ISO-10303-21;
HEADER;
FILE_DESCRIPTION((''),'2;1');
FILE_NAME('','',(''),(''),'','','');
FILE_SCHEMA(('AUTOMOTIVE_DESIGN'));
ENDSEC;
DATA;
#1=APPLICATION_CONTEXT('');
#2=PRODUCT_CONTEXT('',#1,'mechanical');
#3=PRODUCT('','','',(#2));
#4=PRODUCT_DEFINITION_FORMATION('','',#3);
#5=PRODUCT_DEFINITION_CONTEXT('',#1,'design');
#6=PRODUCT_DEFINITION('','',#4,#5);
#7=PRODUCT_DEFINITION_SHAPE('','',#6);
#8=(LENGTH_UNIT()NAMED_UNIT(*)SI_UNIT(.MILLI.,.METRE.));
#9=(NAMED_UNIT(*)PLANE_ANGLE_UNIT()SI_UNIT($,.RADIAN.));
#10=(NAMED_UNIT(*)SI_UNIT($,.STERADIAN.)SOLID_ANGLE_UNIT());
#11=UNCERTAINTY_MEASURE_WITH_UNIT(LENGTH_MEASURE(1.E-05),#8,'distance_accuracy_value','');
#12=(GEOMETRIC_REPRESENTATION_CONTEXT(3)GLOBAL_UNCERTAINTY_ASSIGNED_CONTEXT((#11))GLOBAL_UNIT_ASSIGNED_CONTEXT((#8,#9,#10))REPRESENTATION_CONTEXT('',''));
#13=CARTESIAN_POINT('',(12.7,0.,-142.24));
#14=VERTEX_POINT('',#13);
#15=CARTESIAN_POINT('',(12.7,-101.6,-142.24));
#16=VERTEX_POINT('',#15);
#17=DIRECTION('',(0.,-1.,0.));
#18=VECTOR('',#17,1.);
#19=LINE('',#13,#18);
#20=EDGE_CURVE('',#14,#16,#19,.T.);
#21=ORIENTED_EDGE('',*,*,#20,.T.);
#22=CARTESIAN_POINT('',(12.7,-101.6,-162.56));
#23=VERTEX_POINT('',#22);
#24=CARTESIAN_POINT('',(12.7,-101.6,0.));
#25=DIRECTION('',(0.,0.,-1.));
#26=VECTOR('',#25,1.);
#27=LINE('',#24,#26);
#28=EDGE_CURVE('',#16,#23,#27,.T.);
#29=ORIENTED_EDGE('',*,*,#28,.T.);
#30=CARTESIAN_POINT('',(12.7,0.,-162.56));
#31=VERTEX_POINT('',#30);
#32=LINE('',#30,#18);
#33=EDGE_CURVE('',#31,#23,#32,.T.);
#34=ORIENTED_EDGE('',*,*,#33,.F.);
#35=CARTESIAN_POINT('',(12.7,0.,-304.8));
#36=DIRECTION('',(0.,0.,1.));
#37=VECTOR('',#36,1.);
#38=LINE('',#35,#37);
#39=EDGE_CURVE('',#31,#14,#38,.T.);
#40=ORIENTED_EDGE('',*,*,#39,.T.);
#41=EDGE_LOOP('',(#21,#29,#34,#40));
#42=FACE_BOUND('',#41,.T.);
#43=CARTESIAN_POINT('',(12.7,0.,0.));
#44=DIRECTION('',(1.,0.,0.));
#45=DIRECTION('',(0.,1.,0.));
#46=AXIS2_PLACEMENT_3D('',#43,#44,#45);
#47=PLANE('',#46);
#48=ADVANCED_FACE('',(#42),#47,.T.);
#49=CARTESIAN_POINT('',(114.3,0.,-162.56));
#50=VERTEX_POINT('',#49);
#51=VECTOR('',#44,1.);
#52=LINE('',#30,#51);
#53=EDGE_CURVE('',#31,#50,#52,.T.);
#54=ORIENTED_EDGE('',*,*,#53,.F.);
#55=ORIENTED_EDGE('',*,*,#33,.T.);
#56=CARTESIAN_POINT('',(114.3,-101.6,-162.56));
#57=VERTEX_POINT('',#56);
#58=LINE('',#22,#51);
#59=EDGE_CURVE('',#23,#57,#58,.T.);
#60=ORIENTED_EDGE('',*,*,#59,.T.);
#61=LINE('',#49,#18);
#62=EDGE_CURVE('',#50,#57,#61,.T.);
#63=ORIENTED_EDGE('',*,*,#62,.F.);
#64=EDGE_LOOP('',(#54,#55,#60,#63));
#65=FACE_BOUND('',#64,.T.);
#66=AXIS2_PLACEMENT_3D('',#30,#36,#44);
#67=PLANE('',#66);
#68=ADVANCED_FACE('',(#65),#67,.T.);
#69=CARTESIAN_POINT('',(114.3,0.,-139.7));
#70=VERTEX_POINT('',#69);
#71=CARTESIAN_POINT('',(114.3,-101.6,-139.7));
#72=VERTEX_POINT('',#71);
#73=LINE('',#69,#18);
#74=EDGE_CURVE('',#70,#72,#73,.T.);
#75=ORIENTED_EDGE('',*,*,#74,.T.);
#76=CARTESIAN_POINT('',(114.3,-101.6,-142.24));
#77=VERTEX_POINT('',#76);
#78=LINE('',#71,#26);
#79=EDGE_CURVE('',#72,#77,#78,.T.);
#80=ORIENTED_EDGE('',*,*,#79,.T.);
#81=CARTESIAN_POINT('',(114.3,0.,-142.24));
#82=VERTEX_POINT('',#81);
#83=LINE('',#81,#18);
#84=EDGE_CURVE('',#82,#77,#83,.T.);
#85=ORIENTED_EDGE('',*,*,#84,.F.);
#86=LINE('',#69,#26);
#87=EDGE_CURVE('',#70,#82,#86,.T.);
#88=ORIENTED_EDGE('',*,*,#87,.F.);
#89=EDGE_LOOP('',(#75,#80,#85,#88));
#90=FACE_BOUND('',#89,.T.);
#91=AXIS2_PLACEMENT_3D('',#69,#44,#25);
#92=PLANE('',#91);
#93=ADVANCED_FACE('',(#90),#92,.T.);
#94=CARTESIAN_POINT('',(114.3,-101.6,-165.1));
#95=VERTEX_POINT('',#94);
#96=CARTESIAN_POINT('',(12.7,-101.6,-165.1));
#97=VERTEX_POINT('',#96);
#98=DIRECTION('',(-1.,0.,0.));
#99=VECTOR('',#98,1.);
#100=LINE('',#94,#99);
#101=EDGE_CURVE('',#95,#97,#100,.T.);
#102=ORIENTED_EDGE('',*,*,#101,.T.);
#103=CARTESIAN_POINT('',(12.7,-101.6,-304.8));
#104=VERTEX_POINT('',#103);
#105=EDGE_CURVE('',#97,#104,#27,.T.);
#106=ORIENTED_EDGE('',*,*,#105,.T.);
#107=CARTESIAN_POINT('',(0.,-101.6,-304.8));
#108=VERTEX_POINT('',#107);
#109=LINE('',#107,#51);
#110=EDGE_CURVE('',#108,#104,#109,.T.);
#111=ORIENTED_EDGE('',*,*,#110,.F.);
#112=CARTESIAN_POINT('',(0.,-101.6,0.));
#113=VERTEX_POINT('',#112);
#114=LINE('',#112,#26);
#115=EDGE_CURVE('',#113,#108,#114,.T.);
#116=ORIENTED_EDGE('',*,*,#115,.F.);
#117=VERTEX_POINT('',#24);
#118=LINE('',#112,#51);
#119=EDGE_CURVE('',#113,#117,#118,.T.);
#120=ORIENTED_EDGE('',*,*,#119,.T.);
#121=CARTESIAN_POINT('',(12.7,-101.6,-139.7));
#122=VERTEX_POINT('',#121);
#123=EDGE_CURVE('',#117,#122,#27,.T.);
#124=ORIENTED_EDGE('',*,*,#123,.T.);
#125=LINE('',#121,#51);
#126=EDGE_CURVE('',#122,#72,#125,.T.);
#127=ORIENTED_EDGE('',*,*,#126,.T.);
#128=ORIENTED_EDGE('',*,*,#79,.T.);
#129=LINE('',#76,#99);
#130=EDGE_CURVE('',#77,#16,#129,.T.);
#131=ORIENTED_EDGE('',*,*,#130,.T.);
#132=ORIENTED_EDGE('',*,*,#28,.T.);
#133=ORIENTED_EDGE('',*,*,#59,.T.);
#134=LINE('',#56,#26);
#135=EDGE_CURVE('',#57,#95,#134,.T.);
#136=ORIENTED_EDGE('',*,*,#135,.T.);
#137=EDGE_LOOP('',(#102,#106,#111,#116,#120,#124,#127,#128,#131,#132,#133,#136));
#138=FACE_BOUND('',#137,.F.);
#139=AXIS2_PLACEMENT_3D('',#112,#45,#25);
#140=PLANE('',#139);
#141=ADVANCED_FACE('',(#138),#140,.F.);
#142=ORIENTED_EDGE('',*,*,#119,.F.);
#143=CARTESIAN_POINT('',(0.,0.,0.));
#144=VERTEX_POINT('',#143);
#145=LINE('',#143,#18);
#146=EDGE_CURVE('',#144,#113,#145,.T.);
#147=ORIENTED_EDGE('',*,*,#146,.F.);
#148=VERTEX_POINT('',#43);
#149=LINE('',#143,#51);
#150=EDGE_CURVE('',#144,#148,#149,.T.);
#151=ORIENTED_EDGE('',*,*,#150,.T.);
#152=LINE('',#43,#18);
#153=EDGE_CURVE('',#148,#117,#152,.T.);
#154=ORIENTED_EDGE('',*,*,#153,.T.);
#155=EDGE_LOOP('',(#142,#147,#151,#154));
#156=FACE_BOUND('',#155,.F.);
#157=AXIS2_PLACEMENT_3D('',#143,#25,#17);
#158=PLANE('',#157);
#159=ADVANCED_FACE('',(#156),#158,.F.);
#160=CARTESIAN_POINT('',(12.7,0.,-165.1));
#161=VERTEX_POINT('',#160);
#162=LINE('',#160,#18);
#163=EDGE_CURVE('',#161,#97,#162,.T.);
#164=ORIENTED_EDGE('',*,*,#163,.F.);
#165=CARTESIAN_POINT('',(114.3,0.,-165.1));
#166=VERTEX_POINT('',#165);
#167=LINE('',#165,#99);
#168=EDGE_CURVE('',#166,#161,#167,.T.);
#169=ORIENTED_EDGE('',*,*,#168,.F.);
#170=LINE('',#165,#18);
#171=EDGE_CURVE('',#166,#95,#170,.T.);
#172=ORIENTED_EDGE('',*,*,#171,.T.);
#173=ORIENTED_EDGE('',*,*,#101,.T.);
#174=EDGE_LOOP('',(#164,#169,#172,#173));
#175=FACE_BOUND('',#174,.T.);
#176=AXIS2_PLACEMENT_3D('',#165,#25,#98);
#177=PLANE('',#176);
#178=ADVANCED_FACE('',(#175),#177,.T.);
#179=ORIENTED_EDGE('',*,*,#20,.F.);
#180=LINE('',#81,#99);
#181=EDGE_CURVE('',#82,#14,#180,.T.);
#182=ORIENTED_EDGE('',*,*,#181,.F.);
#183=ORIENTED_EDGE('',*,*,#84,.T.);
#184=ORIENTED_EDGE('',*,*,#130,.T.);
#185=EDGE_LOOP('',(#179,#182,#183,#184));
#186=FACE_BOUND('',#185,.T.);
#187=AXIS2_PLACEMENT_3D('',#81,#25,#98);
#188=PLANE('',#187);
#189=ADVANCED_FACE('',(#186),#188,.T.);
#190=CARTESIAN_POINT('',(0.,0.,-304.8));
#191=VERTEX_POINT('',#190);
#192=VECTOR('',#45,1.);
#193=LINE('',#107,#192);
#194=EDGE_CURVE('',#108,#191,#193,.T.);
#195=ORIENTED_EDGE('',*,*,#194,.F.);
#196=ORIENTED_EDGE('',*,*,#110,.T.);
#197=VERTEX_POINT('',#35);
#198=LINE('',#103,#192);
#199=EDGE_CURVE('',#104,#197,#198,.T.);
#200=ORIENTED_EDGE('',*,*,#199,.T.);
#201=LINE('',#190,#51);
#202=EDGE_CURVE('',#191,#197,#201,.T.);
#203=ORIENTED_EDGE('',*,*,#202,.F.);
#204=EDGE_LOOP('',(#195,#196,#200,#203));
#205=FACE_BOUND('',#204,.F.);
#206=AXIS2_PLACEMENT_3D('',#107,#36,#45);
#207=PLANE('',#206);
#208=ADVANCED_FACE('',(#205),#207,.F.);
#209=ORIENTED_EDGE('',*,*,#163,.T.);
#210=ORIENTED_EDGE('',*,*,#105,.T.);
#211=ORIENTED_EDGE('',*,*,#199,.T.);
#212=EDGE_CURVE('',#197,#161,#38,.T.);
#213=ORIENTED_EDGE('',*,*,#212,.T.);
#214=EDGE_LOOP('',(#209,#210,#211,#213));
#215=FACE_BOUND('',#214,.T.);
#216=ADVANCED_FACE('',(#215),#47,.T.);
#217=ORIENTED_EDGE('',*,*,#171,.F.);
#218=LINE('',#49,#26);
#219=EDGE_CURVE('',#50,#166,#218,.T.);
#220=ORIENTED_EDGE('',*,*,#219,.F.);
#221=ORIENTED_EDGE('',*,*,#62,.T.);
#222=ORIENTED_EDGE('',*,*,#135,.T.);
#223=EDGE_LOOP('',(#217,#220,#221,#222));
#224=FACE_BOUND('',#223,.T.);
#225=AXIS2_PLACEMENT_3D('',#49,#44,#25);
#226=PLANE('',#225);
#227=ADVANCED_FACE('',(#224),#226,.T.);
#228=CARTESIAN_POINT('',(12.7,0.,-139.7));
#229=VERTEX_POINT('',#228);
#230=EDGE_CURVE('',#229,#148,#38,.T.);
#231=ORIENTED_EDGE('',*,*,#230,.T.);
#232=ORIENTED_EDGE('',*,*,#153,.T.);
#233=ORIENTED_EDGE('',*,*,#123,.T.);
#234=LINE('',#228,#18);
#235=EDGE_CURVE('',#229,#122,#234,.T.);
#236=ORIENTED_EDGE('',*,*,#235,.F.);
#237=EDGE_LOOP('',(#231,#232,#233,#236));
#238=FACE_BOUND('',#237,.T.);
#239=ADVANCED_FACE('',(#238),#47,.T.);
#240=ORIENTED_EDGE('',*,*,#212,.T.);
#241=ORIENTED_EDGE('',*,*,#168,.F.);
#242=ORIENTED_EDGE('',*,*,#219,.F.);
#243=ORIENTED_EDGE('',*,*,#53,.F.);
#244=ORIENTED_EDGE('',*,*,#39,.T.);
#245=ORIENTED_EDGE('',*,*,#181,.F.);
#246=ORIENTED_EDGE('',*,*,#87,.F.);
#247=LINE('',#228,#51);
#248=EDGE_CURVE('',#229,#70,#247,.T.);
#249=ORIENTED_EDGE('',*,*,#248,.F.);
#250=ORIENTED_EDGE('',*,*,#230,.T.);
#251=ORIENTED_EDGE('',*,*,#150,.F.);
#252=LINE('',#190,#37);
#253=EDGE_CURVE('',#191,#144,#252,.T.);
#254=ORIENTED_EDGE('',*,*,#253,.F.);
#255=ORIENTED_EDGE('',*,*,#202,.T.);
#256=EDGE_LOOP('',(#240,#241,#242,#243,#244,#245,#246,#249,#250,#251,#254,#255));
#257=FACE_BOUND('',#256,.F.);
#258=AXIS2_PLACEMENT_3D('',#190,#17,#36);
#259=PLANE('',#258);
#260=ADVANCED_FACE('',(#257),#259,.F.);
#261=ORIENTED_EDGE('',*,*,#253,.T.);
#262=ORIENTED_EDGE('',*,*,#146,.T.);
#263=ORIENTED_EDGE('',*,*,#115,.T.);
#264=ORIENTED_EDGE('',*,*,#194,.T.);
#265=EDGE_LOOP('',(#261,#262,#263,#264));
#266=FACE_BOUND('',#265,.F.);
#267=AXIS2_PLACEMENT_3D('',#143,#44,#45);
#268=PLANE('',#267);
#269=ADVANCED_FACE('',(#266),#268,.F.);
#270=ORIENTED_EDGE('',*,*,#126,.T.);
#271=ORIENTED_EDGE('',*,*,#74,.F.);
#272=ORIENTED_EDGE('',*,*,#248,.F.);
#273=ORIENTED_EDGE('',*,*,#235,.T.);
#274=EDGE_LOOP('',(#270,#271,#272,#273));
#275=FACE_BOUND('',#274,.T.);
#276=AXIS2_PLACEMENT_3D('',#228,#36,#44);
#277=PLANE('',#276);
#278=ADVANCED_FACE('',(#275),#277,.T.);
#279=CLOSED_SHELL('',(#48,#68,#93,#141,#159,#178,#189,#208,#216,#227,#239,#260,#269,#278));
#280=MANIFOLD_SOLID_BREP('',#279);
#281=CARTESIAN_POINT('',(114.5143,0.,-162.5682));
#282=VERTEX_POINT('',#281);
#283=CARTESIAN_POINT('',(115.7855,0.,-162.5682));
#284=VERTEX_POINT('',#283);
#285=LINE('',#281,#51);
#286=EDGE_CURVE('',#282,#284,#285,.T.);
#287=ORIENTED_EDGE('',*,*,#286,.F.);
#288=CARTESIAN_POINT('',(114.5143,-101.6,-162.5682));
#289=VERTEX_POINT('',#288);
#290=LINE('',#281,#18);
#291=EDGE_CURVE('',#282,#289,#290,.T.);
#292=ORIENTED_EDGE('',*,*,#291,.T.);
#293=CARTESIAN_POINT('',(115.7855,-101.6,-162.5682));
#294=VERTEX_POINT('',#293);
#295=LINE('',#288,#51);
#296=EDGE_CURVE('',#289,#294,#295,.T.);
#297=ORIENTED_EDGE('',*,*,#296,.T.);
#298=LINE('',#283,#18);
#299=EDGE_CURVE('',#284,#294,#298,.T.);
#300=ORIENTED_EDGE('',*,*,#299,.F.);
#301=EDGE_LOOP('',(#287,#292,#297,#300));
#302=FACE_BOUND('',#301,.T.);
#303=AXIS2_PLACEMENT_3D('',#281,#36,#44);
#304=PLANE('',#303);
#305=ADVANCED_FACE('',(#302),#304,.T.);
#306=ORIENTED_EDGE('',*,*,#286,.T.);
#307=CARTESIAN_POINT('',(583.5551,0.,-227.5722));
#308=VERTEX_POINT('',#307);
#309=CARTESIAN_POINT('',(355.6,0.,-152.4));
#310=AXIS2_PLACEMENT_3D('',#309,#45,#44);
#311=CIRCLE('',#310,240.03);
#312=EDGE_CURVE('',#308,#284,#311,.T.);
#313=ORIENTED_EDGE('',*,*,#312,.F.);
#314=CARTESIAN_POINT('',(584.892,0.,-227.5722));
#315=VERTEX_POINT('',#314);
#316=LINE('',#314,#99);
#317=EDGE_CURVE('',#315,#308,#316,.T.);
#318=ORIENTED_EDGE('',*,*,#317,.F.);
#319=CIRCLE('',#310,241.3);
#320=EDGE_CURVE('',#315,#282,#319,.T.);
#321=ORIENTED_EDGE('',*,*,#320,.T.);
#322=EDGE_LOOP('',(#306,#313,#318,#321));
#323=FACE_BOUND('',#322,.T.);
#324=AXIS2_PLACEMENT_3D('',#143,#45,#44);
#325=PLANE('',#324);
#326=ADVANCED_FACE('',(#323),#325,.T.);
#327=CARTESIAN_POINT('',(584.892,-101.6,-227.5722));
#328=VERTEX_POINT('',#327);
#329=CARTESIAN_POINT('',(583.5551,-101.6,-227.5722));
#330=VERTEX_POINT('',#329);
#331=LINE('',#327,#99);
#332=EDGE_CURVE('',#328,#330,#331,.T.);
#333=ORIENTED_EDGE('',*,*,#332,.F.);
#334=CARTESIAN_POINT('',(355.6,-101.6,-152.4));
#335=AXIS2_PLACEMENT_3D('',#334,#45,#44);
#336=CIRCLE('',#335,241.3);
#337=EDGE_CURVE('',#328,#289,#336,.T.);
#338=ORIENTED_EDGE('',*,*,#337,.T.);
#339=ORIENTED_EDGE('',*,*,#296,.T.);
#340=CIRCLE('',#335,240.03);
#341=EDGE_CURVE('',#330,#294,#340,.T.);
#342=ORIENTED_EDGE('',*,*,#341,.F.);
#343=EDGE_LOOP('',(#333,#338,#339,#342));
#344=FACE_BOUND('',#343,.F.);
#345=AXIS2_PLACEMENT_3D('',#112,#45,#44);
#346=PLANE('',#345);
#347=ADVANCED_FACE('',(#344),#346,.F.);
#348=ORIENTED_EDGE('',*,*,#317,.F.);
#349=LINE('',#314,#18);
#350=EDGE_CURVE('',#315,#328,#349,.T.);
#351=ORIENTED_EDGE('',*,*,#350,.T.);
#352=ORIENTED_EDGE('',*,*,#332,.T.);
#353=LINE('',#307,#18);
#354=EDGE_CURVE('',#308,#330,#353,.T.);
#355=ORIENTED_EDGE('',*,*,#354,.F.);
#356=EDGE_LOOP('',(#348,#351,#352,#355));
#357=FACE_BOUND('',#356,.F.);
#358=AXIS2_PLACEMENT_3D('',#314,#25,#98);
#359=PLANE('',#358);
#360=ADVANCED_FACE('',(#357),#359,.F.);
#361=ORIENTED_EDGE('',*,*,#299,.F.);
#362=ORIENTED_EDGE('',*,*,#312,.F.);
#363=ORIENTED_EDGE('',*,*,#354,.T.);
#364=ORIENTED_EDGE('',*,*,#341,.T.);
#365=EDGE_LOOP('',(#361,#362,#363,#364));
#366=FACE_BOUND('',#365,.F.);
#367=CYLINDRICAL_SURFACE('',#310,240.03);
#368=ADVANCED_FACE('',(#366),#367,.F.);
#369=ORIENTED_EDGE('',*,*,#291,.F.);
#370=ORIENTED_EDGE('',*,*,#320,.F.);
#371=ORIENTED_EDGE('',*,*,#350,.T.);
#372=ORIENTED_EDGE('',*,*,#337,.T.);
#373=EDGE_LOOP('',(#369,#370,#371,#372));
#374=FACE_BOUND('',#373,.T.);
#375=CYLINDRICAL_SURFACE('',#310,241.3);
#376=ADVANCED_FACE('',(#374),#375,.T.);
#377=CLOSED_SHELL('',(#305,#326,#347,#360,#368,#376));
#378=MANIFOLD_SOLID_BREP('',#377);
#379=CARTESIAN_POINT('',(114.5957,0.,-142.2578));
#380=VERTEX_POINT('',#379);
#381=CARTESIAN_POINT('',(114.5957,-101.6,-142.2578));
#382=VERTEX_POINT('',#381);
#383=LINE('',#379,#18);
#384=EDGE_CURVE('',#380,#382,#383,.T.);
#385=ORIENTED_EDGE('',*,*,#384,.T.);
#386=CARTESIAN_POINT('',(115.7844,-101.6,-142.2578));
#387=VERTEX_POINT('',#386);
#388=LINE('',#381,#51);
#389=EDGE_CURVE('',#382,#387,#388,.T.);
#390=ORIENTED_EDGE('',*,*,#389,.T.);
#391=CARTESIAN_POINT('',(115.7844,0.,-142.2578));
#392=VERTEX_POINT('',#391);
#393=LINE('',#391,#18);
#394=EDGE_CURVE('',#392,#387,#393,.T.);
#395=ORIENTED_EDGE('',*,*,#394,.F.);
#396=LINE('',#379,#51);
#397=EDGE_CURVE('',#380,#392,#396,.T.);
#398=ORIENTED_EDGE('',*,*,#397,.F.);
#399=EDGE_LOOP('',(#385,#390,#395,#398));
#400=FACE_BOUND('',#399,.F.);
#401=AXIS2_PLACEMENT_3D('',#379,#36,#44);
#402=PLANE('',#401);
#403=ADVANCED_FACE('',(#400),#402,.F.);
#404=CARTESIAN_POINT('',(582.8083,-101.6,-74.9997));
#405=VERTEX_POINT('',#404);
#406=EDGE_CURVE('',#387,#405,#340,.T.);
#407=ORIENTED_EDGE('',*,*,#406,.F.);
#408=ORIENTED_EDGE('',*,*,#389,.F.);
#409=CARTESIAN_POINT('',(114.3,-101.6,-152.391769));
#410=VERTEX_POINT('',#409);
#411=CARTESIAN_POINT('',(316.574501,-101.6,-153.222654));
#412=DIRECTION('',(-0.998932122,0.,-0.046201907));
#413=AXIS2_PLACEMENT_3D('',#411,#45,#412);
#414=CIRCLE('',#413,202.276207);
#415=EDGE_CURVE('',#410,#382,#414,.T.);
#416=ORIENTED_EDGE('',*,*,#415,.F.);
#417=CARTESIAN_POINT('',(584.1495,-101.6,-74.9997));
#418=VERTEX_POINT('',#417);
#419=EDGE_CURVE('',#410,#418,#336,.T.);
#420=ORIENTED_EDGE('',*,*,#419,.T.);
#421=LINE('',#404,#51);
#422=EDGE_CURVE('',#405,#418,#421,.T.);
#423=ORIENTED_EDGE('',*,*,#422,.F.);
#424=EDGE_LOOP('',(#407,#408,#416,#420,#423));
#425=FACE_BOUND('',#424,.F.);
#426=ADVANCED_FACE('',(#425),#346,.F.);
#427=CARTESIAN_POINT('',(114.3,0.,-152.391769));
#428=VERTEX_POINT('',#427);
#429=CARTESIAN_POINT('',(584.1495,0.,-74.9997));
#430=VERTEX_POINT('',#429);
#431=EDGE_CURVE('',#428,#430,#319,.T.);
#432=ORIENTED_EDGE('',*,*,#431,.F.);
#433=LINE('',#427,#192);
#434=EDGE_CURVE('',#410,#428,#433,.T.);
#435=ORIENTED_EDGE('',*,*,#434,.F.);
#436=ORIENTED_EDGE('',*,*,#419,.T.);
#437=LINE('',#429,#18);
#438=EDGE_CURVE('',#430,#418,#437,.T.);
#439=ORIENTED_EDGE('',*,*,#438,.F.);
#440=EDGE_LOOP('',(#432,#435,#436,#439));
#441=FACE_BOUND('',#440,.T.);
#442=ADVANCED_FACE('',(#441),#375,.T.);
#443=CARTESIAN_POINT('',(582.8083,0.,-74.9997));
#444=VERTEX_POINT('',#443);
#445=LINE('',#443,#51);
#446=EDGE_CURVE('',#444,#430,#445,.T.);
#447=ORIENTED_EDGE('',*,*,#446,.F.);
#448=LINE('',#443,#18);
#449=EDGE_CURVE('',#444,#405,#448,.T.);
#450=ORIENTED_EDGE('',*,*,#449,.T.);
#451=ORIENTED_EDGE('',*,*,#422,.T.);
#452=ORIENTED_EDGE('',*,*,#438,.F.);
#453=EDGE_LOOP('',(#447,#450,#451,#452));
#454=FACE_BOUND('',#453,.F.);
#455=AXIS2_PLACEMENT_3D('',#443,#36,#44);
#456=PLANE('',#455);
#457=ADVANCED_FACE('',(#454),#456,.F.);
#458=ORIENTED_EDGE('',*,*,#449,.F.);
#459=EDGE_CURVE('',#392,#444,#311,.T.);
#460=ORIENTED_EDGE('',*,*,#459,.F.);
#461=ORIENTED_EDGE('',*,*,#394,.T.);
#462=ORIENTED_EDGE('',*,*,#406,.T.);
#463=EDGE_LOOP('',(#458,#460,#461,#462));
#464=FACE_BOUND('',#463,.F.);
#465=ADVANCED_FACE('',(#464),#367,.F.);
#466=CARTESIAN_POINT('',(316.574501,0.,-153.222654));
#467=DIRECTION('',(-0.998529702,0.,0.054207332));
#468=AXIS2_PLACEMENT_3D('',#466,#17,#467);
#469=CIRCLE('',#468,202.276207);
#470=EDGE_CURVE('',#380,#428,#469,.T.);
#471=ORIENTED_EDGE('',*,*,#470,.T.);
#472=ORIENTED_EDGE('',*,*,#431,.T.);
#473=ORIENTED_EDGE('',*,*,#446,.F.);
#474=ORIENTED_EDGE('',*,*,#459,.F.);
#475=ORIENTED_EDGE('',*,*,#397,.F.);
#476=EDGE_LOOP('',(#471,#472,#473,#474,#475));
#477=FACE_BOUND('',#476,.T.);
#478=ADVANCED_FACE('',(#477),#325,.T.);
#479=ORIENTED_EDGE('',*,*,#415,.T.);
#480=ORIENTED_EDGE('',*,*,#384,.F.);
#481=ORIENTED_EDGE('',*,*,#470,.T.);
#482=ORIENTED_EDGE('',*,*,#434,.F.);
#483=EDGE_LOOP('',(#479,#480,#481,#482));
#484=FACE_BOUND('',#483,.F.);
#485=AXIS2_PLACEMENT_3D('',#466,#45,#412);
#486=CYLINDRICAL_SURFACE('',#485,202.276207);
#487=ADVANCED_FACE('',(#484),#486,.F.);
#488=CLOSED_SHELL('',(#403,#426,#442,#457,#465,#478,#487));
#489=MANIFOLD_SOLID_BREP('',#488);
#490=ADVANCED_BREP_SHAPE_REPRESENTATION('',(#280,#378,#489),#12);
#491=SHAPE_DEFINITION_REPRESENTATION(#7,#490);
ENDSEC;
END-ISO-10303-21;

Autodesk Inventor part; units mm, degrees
ref_plane "YZ Plane" through (0, 0, 0) normal (1, 0, 0) x (0, 1, 0)
ref_plane "XZ Plane" through (0, 0, 0) normal (0, 1, 0) x (-1, 0, 0)
ref_plane "XY Plane" through (0, 0, 0) normal (0, 0, 1) x (1, 0, 0)
sketch "Sketch1" plane through (0, 0, 0) normal (1, 0, 0) x (0, 1, 0)
  point P0 (0, 0)
sketch "Sketch2" plane through (0, 0, 0) normal (1, 0, 0) x (0, 1, 0)
  line L0 (0, 0) -> (-101.6, 0)
  line L1 (-101.6, 0) -> (-101.6, -304.8)
  line L2 (-101.6, -304.8) -> (0, -304.8)
  line L3 (0, -304.8) -> (0, 0)
  dimension "d0" = 101.6
  dimension "d1" = 304.8
extrude "Extrusion1" add sketch "Sketch2" along normal blind 12.7
sketch "Sketch3" plane through (0, 0, 0) normal (0, 1, 0) x (1, 0, 0)
  line L0 (12.7, 304.8) -> (12.7, 0) projected
  line L1 (12.7, 0) -> (12.7, 304.8) projected
  line L2 (12.7, 139.7) -> (114.3, 139.7)
  line L3 (114.3, 139.7) -> (114.3, 142.24)
  line L4 (114.3, 142.24) -> (12.7, 142.24)
  line L5 (12.7, 142.24) -> (12.7, 139.7)
  line L6 (12.7, 162.56) -> (114.3, 162.56)
  line L7 (114.3, 162.56) -> (114.3, 165.1)
  line L8 (114.3, 165.1) -> (12.7, 165.1)
  line L9 (12.7, 165.1) -> (12.7, 162.56)
  line L10 (0, 304.8) -> (12.7, 304.8) projected
  circle A0 centre (355.6, 152.4) radius 241.3
  circle A1 centre (355.6, 152.4) radius 240.03
  point P0 (0, 0)
  dimension "d6" = 2.54
  dimension "d7" = 2.54
  dimension "d8" = 139.7
  dimension "d9" = 139.7
  dimension "d10" = 482.6
  dimension "d11" = 342.9
  dimension "d12" = 101.6
  dimension "d13" = 480.06
extrude "Extrusion2" add sketch "Sketch3" against normal blind 101.6
sketch "Sketch4" plane through (355.6, 0, -152.4) normal (0, 1, 0) x (1, 0, 0)
  circle A0 centre (0, 0) radius 241.3 projected
  arc A1 (-241.0857, 10.1682) -> (-241.0043, -10.1422) centre (-39.0277, 0.8227) ccw
  circle A2 centre (0, 0) radius 240.03 projected
  arc A3 (-239.8145, 10.1682) -> (-239.8156, -10.1422) centre (0, 0) ccw
  line L0 (-241.0043, -10.1422) -> (-239.8156, -10.1422)
  line L1 (-241.0857, 10.1682) -> (-239.8145, 10.1682)
  point P0 (-355.6, -152.4)
extrude "Extrusion3" cut sketch "Sketch4" against normal blind 101.6 contours L1 A2 L0 A1 A0 | A0 A1 picked at (-240.3417, 6.7814)
sketch "Sketch5" plane through (0, 0, 0) normal (0, 1, 0) x (1, 0, 0)
  arc A0 (115.7844, 142.2578) -> (115.7855, 162.5682) centre (355.6, 152.4) ccw projected
  arc A1 (582.8083, 74.9997) -> (583.5551, 227.5722) centre (355.6, 152.4) ccw
  arc A2 (114.3, 152.4) -> (114.5143, 162.5682) centre (355.6, 152.4) ccw projected
  arc A3 (584.1495, 74.9997) -> (584.892, 227.5722) centre (355.6, 152.4) ccw
  line L0 (582.8083, 74.9997) -> (584.1495, 74.9997)
  line L1 (584.892, 227.5722) -> (583.5551, 227.5722)
  point P0 (0, 0)
extrude "Extrusion4" cut sketch "Sketch5" against normal blind 101.6
